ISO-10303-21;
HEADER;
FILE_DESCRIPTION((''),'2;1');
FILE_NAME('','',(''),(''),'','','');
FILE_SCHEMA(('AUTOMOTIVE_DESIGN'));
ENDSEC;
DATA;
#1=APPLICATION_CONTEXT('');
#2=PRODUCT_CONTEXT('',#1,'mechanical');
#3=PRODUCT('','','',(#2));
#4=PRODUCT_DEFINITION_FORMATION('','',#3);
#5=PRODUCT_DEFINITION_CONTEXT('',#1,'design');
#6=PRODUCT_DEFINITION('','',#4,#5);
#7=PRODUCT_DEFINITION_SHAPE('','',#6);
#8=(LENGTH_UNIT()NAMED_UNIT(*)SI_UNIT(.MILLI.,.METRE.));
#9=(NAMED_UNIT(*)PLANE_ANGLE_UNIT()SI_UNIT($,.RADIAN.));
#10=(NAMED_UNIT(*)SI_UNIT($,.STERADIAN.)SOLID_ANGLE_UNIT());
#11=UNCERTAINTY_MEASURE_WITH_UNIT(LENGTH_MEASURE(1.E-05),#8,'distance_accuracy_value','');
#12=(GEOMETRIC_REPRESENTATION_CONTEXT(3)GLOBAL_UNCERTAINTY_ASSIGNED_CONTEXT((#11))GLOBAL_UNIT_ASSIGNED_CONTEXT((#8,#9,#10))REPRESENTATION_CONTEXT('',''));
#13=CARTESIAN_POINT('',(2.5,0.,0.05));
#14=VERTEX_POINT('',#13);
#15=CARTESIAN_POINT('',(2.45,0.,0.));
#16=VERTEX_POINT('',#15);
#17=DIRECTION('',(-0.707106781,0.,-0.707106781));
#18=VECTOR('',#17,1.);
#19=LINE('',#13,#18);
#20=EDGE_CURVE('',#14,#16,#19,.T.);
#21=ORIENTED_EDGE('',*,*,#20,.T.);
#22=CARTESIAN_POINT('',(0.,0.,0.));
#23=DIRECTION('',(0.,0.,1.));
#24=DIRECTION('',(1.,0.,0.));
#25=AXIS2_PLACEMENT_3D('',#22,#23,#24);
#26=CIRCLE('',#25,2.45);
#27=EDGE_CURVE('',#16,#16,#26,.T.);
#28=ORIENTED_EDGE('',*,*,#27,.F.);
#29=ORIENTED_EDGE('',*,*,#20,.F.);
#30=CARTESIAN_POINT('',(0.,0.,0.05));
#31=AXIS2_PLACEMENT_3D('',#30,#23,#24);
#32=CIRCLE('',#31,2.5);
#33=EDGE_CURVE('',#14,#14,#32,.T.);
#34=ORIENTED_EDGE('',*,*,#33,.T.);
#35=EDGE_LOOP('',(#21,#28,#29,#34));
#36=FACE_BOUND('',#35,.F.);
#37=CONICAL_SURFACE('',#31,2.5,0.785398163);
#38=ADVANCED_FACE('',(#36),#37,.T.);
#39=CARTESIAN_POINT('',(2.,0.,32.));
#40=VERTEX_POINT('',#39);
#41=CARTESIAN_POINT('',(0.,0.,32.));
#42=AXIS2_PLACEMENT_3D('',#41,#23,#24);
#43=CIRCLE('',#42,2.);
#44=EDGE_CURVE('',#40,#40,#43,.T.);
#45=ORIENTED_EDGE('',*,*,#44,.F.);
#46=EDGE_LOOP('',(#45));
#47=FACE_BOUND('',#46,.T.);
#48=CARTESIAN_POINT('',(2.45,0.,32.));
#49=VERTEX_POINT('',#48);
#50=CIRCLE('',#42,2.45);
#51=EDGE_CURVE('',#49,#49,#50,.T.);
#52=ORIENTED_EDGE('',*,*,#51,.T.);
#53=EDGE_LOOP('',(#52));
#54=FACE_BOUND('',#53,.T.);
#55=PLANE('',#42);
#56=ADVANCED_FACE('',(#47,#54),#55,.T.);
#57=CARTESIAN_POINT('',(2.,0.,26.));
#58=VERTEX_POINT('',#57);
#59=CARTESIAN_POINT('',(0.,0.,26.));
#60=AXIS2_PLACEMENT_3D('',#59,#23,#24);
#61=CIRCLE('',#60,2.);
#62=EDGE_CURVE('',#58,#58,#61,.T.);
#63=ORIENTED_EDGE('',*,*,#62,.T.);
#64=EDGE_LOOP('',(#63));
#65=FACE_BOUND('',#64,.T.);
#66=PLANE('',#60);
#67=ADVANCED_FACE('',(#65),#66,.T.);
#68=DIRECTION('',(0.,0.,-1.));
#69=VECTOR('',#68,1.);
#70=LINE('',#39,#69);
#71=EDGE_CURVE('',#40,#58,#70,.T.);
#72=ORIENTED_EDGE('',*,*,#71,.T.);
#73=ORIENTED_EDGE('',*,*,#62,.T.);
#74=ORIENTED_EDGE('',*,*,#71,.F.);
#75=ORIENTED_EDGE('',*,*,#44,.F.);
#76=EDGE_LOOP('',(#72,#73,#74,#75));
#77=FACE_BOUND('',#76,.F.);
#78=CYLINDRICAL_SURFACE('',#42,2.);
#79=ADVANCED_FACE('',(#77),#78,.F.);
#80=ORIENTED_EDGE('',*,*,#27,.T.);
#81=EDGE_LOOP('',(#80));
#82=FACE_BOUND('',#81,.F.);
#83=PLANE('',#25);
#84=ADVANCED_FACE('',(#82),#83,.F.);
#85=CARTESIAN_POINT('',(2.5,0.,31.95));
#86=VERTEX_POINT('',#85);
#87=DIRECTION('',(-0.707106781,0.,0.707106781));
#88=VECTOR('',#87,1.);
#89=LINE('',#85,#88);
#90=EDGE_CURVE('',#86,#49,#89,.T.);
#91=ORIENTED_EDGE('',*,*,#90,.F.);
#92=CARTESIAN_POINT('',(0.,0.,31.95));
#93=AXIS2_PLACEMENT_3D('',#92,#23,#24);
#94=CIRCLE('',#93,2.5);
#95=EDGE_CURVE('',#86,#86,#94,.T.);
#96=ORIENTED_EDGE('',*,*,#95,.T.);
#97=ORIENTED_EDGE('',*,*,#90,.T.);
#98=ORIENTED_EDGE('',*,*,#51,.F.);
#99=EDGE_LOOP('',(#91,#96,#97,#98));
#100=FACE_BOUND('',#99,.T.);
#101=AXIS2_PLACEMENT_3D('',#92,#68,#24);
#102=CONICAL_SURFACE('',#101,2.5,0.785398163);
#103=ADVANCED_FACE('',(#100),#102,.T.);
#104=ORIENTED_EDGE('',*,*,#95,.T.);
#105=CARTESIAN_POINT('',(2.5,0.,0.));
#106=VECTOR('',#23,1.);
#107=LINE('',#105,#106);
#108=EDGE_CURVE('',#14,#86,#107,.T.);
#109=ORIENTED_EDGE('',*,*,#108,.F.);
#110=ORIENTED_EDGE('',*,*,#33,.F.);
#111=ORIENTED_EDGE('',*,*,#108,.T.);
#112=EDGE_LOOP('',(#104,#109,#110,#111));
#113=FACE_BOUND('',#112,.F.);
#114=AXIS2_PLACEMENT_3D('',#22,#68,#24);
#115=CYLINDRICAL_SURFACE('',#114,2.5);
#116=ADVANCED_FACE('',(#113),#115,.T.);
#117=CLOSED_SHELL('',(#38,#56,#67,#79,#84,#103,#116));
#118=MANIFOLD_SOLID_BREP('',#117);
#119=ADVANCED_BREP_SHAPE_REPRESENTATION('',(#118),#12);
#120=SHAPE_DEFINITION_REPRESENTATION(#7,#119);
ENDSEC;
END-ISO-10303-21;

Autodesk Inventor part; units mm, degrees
ref_plane "YZ Plane" through (0, 0, 0) normal (1, 0, 0) x (0, 1, 0)
ref_plane "XZ Plane" through (0, 0, 0) normal (0, 1, 0) x (-1, 0, 0)
ref_plane "XY Plane" through (0, 0, 0) normal (0, 0, 1) x (1, 0, 0)
sketch "スケッチ1" plane through (0, 0, 0) normal (0, 0, 1) x (1, 0, 0)
  circle A0 centre (0, 0) radius 2.5
  dimension "d0" = 5
extrude "押し出し1" add sketch "スケッチ1" along normal blind 32
sketch "スケッチ2" plane through (0, 0, 32) normal (0, 0, 1) x (1, 0, 0)
  circle A0 centre (0, 0) radius 2
  dimension "d3" = 4
extrude "押し出し2" cut sketch "スケッチ2" against normal blind 6
thread "ねじ1" size "M4x0.7" class "6H" standard "ANSI Metric M Profile" full length
chamfer "面取り1" distance 0.05 angle 45 2 edges at (-2.5, 0, 32) (-2.5, 0, 0)
properties part number "shaft_31.6mm_Φ5" material "アルミニウム 7075"
